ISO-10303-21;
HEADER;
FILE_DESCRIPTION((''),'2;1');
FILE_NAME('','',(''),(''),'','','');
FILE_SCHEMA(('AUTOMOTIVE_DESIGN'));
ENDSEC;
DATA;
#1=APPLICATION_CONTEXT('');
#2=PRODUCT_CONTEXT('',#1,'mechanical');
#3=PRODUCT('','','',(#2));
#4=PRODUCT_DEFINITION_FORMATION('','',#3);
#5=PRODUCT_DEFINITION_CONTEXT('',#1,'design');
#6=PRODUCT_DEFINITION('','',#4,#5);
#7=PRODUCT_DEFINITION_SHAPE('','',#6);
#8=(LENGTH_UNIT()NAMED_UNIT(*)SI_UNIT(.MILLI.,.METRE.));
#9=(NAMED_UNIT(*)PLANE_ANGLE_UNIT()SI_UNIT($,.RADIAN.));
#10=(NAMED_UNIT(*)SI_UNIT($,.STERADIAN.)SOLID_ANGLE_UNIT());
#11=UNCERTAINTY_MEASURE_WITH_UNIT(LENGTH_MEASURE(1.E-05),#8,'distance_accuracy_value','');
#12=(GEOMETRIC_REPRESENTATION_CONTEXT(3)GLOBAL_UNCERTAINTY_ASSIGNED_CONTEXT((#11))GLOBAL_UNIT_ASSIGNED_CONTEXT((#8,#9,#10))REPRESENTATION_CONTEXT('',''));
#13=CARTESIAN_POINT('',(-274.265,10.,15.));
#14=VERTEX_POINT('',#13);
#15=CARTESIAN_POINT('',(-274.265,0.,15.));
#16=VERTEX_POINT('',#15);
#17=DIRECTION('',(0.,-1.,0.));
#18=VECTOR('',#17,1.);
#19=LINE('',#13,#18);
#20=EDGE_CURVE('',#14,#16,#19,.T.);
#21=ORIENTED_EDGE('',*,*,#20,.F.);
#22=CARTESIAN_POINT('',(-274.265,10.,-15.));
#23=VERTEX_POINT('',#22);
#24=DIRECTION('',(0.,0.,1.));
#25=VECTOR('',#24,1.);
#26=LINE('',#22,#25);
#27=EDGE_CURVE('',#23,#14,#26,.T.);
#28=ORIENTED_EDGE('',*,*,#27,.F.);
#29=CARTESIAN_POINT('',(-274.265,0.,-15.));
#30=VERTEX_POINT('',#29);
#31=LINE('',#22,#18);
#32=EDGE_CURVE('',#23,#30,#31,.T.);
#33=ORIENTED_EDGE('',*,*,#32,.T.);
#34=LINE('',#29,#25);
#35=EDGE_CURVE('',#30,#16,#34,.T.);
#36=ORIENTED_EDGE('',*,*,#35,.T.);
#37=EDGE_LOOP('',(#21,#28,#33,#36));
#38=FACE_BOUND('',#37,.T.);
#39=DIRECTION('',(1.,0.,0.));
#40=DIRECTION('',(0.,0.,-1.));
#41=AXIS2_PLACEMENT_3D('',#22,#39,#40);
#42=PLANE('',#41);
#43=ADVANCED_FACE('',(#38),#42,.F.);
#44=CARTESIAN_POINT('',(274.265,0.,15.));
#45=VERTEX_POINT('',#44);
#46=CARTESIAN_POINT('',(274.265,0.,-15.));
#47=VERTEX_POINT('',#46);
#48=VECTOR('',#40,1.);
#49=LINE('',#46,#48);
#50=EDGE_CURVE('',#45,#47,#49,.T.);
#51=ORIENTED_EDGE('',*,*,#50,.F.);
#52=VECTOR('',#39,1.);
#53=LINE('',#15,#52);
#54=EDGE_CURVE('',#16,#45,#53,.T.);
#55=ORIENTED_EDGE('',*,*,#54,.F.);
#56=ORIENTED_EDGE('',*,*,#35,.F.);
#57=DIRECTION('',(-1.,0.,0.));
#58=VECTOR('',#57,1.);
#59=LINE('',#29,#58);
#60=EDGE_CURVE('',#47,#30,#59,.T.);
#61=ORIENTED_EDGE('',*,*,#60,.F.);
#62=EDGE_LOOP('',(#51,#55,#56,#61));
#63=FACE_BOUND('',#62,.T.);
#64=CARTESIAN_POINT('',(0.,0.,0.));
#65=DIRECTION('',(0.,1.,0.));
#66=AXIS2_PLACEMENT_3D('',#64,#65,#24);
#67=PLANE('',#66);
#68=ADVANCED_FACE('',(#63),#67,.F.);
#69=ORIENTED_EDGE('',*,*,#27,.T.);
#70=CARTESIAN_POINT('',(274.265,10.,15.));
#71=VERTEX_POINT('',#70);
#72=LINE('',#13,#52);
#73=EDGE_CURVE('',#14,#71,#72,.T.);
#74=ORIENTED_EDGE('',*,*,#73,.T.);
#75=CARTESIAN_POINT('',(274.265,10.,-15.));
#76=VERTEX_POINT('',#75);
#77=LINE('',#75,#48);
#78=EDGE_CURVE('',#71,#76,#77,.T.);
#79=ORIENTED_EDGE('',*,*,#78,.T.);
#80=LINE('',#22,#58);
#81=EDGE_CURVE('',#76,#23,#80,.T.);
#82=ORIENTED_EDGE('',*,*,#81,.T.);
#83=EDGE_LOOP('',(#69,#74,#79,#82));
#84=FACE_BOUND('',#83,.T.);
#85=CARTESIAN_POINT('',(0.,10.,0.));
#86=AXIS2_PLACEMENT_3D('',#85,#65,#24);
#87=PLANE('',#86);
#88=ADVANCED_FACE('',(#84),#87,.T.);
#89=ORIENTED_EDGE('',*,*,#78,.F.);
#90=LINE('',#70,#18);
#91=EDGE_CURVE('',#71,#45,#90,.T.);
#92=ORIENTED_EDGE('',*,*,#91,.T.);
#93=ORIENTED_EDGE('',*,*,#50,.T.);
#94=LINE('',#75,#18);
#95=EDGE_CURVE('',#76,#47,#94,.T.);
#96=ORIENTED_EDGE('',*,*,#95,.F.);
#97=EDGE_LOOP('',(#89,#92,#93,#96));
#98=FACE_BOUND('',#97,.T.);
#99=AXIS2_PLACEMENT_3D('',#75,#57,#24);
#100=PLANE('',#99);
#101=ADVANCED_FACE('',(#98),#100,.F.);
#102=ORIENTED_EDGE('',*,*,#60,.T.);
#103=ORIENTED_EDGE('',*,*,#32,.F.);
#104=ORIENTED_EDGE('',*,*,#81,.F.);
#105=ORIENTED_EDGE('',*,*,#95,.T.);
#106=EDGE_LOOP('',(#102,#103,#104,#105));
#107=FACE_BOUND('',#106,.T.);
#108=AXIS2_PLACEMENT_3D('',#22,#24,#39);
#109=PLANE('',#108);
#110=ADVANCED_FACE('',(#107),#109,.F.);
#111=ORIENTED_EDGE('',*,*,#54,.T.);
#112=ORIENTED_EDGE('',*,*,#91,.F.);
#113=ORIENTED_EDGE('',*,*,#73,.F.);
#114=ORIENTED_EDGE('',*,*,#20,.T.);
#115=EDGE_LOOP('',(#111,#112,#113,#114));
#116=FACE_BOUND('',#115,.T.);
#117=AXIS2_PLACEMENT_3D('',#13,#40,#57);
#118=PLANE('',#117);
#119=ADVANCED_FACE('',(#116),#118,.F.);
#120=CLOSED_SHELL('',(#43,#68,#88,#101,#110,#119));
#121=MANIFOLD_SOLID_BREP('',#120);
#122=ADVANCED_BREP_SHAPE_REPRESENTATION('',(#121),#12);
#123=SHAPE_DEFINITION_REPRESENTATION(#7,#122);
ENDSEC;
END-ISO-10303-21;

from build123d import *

# Parameters (mm, degrees)
SKETCH1_W           = 548.53
SKETCH1_H           = 30
BOSS_EXTRUDE1_DEPTH = 10


with BuildPart() as part:
    # Sketch1 → Boss-Extrude1 (new body)
    with BuildSketch(Plane(origin=(0, 0, 0), x_dir=(1, 0, 0), z_dir=(0, 1, 0))):
        Rectangle(SKETCH1_W, SKETCH1_H)
    extrude(amount=BOSS_EXTRUDE1_DEPTH)


solid = part.part
